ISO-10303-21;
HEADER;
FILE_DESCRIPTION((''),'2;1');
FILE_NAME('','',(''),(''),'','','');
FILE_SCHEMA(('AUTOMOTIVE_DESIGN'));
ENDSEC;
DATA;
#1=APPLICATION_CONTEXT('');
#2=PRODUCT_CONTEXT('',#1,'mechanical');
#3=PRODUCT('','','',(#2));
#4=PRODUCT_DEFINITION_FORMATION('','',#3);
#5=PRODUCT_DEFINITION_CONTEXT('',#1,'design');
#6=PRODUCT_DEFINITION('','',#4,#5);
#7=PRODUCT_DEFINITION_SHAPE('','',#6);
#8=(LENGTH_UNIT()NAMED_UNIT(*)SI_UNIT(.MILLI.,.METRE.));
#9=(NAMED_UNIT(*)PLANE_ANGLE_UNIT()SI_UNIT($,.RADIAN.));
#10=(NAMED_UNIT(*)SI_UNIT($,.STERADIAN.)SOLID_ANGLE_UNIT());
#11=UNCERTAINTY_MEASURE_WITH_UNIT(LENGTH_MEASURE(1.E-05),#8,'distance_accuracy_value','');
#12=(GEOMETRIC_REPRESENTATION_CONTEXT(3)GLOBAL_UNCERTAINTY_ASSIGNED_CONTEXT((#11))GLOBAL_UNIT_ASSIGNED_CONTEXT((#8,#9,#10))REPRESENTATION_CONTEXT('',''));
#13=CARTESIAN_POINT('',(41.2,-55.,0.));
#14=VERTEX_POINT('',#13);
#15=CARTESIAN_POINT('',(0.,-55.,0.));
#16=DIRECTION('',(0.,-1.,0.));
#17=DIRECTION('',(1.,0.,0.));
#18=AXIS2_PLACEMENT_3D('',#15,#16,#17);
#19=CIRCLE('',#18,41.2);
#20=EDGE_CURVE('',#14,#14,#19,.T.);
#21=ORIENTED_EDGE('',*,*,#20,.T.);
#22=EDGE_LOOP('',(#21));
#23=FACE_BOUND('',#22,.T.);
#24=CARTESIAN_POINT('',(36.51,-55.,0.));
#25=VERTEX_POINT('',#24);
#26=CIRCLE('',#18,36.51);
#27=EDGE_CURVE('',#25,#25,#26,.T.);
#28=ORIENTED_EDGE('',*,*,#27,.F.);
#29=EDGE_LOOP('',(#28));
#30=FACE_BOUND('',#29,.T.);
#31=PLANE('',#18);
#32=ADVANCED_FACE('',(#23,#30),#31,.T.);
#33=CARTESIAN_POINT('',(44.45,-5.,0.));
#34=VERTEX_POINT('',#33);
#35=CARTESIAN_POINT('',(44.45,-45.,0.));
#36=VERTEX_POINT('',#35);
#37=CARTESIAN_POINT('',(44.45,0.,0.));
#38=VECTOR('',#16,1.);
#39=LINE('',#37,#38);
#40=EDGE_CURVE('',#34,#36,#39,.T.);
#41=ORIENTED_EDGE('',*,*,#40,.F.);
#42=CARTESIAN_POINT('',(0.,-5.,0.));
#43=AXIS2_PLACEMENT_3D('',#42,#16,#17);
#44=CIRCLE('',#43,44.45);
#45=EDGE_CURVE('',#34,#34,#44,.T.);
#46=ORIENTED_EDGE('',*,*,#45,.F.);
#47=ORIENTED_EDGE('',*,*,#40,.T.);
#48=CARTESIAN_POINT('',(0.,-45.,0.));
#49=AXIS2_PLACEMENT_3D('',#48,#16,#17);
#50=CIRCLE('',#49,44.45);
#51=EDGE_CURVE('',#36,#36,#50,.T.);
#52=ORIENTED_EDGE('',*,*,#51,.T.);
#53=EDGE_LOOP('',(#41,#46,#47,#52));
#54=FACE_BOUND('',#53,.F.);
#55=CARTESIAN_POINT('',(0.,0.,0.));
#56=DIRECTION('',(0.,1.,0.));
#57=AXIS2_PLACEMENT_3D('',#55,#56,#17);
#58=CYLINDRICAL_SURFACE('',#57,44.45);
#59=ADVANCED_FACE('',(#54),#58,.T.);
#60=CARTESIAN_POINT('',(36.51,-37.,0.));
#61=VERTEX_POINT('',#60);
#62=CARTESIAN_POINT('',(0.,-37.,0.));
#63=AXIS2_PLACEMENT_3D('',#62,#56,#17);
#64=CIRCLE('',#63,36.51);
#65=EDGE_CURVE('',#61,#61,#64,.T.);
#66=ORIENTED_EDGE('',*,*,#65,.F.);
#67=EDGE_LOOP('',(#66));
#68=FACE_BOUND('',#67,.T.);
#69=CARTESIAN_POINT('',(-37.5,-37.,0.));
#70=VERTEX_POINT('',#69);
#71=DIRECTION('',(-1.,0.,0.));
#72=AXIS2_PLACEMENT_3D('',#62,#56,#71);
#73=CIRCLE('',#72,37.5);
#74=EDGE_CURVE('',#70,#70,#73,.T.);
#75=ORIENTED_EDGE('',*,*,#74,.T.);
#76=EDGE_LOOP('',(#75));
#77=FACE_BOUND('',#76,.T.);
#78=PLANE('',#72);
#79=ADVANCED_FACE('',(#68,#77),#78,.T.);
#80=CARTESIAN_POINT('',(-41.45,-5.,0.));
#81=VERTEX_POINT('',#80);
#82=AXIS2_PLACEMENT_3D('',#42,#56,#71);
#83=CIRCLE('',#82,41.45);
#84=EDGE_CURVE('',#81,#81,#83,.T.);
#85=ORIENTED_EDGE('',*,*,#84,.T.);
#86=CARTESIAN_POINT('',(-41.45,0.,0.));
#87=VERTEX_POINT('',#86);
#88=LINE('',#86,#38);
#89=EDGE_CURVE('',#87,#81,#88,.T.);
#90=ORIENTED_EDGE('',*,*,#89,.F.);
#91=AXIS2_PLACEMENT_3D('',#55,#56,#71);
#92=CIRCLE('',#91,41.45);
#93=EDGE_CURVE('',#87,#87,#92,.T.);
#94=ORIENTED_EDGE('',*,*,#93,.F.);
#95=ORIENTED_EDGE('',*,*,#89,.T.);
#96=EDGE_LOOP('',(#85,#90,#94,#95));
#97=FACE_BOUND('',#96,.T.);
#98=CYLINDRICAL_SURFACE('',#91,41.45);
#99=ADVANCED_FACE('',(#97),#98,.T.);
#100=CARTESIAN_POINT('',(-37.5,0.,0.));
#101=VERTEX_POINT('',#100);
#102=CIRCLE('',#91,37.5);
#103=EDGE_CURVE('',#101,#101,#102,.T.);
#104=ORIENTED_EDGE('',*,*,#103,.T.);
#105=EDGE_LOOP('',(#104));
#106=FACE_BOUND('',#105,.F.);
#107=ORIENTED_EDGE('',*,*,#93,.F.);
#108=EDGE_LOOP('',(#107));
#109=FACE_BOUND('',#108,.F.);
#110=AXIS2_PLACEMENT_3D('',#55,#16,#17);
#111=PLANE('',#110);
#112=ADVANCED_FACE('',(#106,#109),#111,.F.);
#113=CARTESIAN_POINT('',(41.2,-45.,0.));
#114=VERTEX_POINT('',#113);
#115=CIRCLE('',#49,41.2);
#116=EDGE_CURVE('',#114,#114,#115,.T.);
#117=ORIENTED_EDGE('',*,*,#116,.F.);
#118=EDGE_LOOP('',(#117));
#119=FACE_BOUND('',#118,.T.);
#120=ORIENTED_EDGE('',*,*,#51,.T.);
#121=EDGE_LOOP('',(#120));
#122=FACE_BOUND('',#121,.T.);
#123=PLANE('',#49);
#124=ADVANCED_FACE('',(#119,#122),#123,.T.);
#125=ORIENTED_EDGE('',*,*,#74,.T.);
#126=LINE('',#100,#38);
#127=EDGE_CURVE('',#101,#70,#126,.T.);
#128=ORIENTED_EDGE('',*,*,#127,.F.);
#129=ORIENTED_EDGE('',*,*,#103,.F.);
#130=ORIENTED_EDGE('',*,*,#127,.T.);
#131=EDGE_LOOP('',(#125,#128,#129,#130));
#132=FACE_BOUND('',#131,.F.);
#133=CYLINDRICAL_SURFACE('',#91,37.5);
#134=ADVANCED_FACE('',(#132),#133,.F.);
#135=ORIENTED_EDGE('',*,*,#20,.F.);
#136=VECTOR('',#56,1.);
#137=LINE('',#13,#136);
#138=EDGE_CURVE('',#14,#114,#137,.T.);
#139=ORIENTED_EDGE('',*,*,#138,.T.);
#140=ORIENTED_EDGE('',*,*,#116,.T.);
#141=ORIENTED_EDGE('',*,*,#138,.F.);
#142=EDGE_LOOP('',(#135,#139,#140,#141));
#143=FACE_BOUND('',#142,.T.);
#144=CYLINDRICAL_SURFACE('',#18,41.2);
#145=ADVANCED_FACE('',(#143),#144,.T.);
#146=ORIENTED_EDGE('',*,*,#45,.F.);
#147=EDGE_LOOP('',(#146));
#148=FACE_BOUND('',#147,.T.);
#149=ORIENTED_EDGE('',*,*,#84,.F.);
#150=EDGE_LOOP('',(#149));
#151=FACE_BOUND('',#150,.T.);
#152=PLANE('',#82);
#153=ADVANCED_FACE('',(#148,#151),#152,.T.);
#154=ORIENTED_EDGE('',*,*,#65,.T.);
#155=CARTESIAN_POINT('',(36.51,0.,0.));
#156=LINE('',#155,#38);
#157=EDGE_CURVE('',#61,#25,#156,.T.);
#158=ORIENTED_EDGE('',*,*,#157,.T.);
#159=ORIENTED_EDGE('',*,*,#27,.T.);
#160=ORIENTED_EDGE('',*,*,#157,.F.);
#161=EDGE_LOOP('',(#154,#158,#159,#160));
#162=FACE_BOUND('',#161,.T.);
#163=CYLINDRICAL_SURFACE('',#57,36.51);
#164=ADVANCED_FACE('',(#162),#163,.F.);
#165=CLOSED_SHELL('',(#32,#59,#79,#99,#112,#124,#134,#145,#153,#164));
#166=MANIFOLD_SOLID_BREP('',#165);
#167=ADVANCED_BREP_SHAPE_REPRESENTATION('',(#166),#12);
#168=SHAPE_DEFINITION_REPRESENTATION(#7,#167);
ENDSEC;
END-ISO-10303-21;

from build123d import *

# Parameters (mm, degrees)
F0_R     = 44.45
F0_R_2   = 36.51
F1_DEPTH = 55
F2_R     = 44.45
F2_R_2   = 41.2
F3_DEPTH = 10
F4_R     = 44.45
F4_R_2   = 41.45
F5_DEPTH = 5
F4_R_3   = 37.5
F4_R_4   = 36.51
F6_DEPTH = 37


with BuildPart() as f1:
    # F0 (on Front) → F1 (new body)
    with BuildSketch(Plane.XZ):
        Circle(F0_R)
        Circle(F0_R_2, mode=Mode.SUBTRACT)
    extrude(amount=F1_DEPTH)

    # F2 (on face) → F3 (cut)
    with BuildSketch(Plane.XZ.offset(55)):
        Circle(F2_R)
        Circle(F2_R_2, mode=Mode.SUBTRACT)
    extrude(amount=-F3_DEPTH, mode=Mode.SUBTRACT)

    # F4 (on face) → F5 (cut)
    with BuildSketch(Plane(origin=(0, 0, 0), x_dir=(-1, 0, 0), z_dir=(0, 1, 0))):
        Circle(F4_R)
        Circle(F4_R_2, mode=Mode.SUBTRACT)
    extrude(amount=-F5_DEPTH, mode=Mode.SUBTRACT)

    # F4 (on face) → F6 (cut)
    with BuildSketch(Plane(origin=(0, 0, 0), x_dir=(-1, 0, 0), z_dir=(0, 1, 0))):
        Circle(F4_R_3)
        Circle(F4_R_4, mode=Mode.SUBTRACT)
    extrude(amount=-F6_DEPTH, mode=Mode.SUBTRACT)


solid = f1.part
